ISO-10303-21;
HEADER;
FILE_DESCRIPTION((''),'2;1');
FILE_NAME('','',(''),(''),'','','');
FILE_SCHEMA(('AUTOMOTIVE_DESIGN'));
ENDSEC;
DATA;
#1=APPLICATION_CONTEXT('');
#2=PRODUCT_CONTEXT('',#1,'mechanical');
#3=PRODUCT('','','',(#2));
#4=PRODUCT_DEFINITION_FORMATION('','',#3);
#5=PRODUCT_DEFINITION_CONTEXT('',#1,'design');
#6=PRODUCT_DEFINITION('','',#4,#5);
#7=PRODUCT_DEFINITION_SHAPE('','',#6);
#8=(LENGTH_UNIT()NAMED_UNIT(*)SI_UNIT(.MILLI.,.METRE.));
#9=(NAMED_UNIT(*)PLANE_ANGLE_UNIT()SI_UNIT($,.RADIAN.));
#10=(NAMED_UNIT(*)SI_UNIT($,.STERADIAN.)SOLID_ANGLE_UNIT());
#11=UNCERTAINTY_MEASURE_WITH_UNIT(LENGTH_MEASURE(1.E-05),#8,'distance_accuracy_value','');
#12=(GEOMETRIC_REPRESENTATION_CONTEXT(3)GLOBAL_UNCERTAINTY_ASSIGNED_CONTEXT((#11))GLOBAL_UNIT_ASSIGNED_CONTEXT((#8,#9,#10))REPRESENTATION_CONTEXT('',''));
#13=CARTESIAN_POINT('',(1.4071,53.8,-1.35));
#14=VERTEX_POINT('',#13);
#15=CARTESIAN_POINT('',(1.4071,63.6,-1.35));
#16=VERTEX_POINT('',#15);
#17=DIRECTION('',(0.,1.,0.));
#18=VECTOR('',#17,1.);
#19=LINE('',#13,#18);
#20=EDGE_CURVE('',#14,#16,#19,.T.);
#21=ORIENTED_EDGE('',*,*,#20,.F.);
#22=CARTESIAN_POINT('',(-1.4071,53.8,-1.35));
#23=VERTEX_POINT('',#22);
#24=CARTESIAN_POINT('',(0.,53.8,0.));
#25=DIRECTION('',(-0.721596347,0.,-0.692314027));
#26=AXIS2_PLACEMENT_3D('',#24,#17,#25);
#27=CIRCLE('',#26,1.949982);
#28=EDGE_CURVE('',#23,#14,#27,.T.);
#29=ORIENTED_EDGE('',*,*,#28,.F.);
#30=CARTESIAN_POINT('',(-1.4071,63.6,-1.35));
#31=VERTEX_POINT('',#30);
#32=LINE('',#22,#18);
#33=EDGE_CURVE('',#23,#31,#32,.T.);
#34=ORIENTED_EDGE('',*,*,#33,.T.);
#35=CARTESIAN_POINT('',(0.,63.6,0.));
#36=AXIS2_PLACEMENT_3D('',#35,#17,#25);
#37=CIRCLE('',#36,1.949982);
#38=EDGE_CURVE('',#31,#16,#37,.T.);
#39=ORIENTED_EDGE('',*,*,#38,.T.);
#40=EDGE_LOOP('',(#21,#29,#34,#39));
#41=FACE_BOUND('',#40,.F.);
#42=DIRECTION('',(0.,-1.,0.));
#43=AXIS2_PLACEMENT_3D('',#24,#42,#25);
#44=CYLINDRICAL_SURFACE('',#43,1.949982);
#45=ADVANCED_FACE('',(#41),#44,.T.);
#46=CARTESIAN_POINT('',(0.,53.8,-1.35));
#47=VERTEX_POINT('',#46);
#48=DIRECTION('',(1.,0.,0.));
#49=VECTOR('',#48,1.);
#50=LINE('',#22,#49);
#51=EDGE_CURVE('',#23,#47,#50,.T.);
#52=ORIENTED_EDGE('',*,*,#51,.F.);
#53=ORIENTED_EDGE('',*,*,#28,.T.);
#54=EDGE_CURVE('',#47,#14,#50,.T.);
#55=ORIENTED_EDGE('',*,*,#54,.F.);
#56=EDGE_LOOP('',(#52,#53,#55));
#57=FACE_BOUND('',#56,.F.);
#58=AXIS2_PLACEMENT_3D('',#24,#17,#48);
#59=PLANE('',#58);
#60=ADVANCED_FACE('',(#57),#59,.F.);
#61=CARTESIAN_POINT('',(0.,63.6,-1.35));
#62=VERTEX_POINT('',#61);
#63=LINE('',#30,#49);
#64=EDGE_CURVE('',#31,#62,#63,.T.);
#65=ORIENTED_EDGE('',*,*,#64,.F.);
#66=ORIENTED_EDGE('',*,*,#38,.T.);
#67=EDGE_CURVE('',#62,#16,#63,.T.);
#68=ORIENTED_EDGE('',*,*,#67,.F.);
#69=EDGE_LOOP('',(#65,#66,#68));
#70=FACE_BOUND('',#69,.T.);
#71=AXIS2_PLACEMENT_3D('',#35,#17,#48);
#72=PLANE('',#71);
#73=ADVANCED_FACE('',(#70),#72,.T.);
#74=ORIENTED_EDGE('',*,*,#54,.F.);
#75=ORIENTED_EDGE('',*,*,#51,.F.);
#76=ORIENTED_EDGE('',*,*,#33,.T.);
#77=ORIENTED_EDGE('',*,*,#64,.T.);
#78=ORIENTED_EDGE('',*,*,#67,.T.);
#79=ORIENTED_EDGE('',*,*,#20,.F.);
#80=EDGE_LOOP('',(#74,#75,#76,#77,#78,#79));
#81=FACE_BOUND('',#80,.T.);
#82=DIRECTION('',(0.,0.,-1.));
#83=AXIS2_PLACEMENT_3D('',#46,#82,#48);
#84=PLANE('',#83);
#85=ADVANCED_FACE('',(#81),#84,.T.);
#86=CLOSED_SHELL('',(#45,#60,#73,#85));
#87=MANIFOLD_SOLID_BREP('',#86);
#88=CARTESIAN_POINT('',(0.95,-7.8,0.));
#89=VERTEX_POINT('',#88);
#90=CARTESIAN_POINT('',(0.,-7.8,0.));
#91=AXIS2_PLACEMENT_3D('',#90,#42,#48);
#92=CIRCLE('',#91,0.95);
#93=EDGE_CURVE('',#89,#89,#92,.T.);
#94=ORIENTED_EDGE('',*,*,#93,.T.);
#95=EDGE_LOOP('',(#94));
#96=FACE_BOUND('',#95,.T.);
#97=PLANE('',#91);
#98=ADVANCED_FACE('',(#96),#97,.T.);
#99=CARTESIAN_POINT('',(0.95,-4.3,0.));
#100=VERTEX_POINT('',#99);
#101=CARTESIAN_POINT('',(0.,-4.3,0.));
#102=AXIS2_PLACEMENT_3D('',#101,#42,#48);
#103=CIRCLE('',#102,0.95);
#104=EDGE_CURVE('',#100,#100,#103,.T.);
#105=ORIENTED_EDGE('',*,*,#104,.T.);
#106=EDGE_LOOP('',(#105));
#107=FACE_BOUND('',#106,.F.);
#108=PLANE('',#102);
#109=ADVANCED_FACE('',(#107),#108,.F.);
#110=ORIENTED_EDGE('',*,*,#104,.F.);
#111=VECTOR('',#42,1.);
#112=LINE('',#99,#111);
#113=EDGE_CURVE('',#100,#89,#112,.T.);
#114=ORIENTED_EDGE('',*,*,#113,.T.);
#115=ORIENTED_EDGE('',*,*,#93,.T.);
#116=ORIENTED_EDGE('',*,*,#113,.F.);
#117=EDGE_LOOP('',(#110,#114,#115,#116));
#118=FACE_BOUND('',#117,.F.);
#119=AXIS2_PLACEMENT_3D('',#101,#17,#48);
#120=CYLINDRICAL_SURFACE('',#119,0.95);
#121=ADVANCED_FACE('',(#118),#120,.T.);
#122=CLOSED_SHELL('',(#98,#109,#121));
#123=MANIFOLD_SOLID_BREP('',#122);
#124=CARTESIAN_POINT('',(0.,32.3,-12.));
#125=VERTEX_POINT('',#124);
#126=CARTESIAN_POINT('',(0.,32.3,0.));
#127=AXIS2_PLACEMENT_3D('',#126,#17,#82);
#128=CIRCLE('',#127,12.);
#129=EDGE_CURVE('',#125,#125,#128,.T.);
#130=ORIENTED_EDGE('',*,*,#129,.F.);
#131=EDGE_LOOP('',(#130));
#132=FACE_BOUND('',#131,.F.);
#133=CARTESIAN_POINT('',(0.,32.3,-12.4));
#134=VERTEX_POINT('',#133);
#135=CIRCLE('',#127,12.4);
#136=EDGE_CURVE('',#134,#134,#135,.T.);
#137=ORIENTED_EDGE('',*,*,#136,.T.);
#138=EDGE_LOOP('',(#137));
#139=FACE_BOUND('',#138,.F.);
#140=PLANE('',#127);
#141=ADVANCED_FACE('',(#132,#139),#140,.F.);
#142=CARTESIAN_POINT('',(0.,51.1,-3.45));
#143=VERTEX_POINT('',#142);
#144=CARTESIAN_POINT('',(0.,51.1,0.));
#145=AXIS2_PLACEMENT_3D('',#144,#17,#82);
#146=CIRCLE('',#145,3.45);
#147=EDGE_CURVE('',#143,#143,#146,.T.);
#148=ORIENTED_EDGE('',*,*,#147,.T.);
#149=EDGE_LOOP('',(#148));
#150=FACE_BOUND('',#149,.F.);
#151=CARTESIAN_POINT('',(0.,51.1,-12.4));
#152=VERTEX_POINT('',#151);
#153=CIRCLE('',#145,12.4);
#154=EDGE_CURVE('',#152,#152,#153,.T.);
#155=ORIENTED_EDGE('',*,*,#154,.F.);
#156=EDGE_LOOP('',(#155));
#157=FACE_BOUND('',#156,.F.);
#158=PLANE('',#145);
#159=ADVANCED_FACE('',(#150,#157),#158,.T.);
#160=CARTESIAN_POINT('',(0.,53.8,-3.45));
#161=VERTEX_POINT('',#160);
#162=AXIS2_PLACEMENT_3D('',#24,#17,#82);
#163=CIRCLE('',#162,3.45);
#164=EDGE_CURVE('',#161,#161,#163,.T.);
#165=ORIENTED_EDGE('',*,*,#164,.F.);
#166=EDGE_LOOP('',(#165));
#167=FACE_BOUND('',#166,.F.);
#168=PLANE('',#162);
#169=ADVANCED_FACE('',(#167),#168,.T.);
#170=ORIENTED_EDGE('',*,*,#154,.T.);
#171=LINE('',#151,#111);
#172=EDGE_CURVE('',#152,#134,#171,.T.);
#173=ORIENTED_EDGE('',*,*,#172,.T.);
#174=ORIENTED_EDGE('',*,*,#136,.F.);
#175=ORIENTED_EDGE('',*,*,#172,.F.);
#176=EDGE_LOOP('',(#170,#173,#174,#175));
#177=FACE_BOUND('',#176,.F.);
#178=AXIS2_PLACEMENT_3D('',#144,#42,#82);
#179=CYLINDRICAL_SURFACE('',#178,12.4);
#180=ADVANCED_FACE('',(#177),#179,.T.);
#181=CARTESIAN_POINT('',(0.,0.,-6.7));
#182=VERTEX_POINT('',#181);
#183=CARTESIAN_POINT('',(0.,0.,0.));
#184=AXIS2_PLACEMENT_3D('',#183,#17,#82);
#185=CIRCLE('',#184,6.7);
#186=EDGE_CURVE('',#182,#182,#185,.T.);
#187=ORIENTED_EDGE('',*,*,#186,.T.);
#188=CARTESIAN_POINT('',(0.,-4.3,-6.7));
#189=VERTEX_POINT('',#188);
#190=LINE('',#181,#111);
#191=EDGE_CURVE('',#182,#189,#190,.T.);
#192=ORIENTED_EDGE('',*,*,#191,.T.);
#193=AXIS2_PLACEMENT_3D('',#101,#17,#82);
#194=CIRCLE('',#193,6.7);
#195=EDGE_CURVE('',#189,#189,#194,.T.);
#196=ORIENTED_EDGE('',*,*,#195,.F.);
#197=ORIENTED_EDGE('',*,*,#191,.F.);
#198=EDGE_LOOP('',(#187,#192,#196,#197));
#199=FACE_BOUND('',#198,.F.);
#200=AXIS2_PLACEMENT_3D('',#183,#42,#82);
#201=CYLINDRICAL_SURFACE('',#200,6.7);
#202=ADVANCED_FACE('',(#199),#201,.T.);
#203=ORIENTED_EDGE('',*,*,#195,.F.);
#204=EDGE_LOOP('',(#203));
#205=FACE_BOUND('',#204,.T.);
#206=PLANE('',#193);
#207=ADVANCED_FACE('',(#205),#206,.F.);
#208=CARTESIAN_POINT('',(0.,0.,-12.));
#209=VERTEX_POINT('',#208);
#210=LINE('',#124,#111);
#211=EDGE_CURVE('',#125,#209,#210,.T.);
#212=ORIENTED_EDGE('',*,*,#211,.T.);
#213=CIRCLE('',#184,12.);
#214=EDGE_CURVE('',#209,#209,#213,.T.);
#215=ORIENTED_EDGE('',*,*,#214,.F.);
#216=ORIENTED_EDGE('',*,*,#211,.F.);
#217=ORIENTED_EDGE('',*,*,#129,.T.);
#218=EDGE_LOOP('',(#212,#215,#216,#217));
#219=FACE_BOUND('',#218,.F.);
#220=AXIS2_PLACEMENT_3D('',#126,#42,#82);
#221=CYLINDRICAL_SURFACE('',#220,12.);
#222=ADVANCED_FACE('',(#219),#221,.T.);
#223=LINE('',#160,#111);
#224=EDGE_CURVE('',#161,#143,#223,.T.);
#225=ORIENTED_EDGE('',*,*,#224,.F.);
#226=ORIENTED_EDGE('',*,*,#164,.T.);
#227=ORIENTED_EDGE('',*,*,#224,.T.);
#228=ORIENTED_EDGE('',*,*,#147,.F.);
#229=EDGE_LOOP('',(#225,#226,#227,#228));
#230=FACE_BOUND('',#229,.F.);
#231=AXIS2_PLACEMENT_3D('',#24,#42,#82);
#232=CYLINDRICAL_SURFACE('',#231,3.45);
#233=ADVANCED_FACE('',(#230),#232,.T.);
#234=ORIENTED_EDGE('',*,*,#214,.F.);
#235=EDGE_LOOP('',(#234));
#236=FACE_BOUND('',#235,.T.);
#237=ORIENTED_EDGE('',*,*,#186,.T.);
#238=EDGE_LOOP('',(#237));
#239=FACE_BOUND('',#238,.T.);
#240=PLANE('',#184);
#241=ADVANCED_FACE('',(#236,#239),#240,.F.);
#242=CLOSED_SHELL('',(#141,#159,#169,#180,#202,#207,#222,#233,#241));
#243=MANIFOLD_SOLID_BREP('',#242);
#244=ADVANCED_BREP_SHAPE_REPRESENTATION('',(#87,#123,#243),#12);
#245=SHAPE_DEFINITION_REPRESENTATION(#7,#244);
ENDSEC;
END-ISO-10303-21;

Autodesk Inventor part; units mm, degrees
ref_plane "YZ Plane" through (0, 0, 0) normal (1, 0, 0) x (0, 1, 0)
ref_plane "XZ Plane" through (0, 0, 0) normal (0, 1, 0) x (-1, 0, 0)
ref_plane "XY Plane" through (0, 0, 0) normal (0, 0, 1) x (1, 0, 0)
sketch "Esboço1" plane through (0, 0, 0) normal (1, 0, 0) x (0, 1, 0)
  line L0 (0, 0) -> (51.1, 0)
  line L1 (51.1, -3.45) -> (51.1, -12.4)
  line L2 (51.1, -12.4) -> (32.3, -12.4)
  line L3 (32.3, -12) -> (0, -12)
  line L4 (32.3, -12.4) -> (32.3, -12)
  line L5 (0, -6.7) -> (-4.3, -6.7)
  line L6 (0, -6.7) -> (0, -12)
  line L7 (-4.3, 0) -> (-4.3, -6.7)
  line L8 (51.1, 0) -> (53.8, 0)
  line L9 (53.8, 0) -> (53.8, -3.45)
  line L10 (53.8, -3.45) -> (51.1, -3.45)
  line L11 (0, 0) -> (-4.3, 0)
  dimension "d0" = 51.1
  dimension "d1" = 12.4
  dimension "d2" = 18.8
  dimension "d4" = 12
  dimension "d5" = 6.7
  dimension "d6" = 4.3
  dimension "d10" = 2.7
revolve "Revolução1" add sketch "Esboço1" angle 360 about axis through (0, 0, 0) along (0, 1, 0)
sketch "Esboço2" plane through (0, -4.3, 0) normal (0, -1, 0) x (1, 0, 0)
  circle A0 centre (0, 0) radius 0.95
  dimension "d15" = 1.9
extrude "Extrusão1" add sketch "Esboço2" along normal blind 3.5 separate body
sketch "Esboço3" plane through (0, 53.8, 0) normal (0, 1, 0) x (1, 0, 0)
  circle A0 centre (0, 0) radius 0.95 projected
  arc A1 (-1.4071, 1.35) -> (1.4071, 1.35) centre (0, 0) ccw
  line L0 (-1.4071, 1.35) -> (1.4071, 1.35)
  line L1 (0, 0.95) -> (0, 1.35)
  dimension "d18" = 3.9
extrude "Extrusão2" add sketch "Esboço3" along normal blind 9.8 separate body contours A0 | L0 A1
properties part number "Motor"
